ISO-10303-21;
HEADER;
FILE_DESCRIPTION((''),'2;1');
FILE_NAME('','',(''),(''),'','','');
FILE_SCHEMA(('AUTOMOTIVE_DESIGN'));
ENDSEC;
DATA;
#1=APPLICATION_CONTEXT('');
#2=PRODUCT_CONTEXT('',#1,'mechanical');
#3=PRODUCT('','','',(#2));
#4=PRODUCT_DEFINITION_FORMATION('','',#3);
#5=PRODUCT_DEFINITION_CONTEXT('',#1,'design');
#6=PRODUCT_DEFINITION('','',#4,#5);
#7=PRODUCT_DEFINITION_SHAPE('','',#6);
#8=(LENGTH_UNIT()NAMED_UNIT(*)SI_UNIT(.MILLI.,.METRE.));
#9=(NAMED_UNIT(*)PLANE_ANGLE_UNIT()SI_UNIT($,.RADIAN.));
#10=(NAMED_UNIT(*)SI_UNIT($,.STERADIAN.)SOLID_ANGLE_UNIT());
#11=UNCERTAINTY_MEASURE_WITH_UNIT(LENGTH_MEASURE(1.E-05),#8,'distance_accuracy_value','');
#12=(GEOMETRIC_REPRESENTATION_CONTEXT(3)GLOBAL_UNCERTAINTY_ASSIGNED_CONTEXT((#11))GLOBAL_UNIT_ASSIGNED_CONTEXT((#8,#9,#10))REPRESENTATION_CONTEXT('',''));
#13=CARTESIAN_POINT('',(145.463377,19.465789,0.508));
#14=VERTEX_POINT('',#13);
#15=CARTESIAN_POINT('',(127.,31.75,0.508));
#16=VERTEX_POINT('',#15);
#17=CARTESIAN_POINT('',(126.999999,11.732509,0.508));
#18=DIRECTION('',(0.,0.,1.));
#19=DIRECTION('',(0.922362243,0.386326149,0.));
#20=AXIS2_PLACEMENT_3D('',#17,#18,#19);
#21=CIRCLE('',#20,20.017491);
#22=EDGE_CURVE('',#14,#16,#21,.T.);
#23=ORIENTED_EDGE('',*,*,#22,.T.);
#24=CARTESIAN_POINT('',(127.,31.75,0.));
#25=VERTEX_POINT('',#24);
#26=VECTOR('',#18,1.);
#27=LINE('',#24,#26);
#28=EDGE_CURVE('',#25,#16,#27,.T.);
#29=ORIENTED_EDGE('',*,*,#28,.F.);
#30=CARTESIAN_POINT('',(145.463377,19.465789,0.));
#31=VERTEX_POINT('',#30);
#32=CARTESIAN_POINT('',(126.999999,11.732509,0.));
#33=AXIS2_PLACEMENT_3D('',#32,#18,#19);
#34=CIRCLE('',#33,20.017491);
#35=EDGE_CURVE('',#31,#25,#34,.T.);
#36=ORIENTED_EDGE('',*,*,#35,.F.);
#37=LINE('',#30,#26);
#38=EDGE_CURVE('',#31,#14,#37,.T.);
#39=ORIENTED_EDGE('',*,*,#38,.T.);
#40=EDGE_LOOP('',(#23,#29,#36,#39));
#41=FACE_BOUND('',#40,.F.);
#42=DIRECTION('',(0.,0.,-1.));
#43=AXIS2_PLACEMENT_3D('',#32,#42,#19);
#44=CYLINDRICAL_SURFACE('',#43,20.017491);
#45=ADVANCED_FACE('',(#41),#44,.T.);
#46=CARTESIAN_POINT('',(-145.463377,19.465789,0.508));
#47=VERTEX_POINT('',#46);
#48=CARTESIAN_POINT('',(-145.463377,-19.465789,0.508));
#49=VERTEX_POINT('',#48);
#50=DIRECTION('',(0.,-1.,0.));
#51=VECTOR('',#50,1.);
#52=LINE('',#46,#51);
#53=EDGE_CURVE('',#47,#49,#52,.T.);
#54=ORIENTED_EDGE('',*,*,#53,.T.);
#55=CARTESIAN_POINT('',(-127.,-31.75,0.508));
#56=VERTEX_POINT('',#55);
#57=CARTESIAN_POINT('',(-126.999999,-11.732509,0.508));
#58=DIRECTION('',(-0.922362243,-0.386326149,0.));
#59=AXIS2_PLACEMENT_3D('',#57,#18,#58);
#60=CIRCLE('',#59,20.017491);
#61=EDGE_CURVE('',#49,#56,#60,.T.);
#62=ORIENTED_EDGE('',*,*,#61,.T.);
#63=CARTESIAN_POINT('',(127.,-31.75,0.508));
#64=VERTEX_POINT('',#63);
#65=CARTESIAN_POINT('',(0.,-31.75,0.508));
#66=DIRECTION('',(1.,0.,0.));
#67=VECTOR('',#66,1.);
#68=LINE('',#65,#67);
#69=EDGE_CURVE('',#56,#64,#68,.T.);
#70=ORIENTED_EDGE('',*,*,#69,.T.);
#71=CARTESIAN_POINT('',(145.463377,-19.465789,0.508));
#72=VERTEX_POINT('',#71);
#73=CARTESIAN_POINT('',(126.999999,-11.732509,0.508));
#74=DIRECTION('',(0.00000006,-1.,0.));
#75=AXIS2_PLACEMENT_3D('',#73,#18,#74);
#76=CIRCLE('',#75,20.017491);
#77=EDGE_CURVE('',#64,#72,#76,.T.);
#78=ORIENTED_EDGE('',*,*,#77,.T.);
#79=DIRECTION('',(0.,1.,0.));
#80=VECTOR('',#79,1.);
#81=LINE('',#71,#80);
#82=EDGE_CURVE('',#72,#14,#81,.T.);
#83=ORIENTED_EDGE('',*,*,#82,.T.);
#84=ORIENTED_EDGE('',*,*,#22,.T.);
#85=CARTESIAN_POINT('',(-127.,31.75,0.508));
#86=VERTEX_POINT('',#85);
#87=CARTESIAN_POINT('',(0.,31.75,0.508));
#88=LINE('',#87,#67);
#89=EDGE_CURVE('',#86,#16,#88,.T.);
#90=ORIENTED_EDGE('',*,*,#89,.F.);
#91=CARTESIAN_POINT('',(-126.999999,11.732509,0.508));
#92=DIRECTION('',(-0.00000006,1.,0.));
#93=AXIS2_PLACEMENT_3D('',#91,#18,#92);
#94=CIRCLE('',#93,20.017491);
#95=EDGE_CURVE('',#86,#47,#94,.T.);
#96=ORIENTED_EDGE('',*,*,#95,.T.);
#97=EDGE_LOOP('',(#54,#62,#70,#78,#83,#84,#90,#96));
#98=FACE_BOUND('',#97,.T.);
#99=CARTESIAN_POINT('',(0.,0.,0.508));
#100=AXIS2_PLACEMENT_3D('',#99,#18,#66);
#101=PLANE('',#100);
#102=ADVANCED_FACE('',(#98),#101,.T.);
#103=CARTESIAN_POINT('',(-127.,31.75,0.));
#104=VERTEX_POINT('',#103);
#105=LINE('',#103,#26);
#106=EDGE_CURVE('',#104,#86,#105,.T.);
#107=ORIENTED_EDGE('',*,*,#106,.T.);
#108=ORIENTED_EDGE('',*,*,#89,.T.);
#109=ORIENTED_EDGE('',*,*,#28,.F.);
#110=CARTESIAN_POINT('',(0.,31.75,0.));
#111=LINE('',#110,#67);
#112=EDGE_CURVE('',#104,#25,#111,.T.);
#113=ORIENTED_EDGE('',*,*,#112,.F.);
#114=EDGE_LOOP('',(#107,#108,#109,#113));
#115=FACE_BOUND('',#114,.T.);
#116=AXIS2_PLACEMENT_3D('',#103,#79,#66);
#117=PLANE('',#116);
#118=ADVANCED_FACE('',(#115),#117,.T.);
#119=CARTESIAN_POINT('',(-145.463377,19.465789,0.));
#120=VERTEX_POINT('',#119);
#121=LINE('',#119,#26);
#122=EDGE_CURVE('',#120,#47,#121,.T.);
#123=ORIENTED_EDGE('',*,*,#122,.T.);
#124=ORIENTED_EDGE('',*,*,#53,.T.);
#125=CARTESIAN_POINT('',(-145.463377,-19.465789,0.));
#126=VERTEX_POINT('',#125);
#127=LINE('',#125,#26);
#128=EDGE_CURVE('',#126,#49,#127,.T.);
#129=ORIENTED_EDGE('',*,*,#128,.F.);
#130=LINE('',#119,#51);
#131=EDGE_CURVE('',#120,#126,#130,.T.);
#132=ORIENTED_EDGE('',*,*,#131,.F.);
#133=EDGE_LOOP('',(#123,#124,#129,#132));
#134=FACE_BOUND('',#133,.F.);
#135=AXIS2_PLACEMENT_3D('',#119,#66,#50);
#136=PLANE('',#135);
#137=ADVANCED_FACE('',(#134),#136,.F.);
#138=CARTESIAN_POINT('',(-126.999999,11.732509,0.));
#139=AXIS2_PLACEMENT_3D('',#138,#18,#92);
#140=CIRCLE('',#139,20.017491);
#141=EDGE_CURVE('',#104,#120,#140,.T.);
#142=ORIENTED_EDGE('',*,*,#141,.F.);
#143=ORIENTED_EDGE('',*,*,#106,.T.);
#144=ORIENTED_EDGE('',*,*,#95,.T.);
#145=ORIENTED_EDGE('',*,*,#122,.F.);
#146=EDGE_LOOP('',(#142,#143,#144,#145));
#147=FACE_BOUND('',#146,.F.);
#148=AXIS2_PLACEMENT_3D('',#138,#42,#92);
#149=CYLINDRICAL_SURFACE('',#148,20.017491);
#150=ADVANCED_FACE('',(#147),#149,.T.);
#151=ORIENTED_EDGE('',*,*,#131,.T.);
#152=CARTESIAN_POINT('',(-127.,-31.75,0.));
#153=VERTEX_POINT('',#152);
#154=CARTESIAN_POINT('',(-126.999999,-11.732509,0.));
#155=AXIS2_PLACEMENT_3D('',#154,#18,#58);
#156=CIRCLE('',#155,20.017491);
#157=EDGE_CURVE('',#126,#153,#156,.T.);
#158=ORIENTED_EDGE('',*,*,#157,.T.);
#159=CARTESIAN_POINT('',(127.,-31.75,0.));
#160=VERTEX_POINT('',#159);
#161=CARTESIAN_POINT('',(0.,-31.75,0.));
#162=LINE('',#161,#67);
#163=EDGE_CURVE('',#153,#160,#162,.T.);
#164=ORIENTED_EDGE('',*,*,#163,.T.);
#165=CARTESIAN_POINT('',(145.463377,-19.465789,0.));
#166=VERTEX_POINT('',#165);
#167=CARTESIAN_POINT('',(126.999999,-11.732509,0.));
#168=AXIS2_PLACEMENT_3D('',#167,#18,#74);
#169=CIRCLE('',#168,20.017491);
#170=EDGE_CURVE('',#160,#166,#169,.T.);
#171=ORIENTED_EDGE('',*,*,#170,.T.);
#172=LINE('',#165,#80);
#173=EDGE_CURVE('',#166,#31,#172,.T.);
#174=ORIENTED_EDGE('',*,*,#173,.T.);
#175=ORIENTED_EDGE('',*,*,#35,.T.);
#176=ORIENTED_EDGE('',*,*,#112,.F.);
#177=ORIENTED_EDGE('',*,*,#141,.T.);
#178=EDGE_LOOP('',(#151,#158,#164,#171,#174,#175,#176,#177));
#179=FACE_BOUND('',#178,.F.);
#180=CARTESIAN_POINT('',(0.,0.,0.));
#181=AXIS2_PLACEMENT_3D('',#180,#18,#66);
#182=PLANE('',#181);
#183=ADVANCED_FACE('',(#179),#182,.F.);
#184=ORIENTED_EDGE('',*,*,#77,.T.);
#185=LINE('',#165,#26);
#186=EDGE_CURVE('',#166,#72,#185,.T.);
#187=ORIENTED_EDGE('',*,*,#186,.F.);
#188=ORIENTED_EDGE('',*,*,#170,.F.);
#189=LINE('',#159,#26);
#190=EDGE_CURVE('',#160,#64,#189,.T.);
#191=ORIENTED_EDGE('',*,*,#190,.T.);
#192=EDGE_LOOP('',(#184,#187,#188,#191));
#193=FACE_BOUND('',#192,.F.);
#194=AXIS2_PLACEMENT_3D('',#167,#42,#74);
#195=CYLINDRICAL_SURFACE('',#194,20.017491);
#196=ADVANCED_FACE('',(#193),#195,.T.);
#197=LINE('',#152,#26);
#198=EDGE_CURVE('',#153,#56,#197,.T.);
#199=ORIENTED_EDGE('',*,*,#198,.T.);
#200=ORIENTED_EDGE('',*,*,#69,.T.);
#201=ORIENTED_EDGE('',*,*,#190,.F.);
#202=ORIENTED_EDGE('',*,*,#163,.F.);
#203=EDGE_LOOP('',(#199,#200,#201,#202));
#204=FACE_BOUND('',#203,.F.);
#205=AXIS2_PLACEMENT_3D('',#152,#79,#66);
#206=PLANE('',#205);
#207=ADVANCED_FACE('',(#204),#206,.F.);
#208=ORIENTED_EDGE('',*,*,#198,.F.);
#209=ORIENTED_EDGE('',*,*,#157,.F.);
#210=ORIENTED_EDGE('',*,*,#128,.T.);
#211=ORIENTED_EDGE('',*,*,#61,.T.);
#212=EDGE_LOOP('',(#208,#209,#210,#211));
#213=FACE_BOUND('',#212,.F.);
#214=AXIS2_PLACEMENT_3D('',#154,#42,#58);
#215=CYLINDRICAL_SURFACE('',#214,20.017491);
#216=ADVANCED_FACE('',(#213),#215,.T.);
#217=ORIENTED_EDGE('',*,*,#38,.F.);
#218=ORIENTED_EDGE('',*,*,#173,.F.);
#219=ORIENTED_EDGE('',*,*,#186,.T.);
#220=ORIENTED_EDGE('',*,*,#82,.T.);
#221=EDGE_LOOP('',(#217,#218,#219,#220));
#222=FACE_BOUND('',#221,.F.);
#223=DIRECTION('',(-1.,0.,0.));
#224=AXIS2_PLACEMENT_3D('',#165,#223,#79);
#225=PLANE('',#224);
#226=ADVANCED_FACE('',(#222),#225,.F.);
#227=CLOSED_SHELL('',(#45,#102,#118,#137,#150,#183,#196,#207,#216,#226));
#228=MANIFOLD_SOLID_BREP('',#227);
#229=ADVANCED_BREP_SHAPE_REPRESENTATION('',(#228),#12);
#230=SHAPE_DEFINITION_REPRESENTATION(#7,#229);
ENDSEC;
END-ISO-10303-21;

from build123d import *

# Parameters (mm, degrees)
F0_W     = 254
F0_H     = 63.5
F1_DEPTH = 0.508


with BuildPart() as f1:
    # F0 (on Top) → F1 (new body)
    with BuildSketch(Plane.XY):
        Rectangle(F0_W, F0_H)
        with BuildLine():
            Line((127, 31.75), (127, -31.75))
            ThreePointArc((127, -31.75), (138.088261, -28.398354), (145.463377, -19.465789))
            Line((145.463377, -19.465789), (145.463377, 19.465789))
            ThreePointArc((145.463377, 19.465789), (138.088261, 28.398354), (127, 31.75))
        make_face()
        with BuildLine():
            ThreePointArc((-145.463377, -19.465789), (-138.088261, -28.398354), (-127, -31.75))
            Line((-127, -31.75), (-127, 31.75))
            ThreePointArc((-127, 31.75), (-138.088261, 28.398354), (-145.463377, 19.465789))
            Line((-145.463377, 19.465789), (-145.463377, -19.465789))
        make_face()
    extrude(amount=F1_DEPTH)


solid = f1.part
